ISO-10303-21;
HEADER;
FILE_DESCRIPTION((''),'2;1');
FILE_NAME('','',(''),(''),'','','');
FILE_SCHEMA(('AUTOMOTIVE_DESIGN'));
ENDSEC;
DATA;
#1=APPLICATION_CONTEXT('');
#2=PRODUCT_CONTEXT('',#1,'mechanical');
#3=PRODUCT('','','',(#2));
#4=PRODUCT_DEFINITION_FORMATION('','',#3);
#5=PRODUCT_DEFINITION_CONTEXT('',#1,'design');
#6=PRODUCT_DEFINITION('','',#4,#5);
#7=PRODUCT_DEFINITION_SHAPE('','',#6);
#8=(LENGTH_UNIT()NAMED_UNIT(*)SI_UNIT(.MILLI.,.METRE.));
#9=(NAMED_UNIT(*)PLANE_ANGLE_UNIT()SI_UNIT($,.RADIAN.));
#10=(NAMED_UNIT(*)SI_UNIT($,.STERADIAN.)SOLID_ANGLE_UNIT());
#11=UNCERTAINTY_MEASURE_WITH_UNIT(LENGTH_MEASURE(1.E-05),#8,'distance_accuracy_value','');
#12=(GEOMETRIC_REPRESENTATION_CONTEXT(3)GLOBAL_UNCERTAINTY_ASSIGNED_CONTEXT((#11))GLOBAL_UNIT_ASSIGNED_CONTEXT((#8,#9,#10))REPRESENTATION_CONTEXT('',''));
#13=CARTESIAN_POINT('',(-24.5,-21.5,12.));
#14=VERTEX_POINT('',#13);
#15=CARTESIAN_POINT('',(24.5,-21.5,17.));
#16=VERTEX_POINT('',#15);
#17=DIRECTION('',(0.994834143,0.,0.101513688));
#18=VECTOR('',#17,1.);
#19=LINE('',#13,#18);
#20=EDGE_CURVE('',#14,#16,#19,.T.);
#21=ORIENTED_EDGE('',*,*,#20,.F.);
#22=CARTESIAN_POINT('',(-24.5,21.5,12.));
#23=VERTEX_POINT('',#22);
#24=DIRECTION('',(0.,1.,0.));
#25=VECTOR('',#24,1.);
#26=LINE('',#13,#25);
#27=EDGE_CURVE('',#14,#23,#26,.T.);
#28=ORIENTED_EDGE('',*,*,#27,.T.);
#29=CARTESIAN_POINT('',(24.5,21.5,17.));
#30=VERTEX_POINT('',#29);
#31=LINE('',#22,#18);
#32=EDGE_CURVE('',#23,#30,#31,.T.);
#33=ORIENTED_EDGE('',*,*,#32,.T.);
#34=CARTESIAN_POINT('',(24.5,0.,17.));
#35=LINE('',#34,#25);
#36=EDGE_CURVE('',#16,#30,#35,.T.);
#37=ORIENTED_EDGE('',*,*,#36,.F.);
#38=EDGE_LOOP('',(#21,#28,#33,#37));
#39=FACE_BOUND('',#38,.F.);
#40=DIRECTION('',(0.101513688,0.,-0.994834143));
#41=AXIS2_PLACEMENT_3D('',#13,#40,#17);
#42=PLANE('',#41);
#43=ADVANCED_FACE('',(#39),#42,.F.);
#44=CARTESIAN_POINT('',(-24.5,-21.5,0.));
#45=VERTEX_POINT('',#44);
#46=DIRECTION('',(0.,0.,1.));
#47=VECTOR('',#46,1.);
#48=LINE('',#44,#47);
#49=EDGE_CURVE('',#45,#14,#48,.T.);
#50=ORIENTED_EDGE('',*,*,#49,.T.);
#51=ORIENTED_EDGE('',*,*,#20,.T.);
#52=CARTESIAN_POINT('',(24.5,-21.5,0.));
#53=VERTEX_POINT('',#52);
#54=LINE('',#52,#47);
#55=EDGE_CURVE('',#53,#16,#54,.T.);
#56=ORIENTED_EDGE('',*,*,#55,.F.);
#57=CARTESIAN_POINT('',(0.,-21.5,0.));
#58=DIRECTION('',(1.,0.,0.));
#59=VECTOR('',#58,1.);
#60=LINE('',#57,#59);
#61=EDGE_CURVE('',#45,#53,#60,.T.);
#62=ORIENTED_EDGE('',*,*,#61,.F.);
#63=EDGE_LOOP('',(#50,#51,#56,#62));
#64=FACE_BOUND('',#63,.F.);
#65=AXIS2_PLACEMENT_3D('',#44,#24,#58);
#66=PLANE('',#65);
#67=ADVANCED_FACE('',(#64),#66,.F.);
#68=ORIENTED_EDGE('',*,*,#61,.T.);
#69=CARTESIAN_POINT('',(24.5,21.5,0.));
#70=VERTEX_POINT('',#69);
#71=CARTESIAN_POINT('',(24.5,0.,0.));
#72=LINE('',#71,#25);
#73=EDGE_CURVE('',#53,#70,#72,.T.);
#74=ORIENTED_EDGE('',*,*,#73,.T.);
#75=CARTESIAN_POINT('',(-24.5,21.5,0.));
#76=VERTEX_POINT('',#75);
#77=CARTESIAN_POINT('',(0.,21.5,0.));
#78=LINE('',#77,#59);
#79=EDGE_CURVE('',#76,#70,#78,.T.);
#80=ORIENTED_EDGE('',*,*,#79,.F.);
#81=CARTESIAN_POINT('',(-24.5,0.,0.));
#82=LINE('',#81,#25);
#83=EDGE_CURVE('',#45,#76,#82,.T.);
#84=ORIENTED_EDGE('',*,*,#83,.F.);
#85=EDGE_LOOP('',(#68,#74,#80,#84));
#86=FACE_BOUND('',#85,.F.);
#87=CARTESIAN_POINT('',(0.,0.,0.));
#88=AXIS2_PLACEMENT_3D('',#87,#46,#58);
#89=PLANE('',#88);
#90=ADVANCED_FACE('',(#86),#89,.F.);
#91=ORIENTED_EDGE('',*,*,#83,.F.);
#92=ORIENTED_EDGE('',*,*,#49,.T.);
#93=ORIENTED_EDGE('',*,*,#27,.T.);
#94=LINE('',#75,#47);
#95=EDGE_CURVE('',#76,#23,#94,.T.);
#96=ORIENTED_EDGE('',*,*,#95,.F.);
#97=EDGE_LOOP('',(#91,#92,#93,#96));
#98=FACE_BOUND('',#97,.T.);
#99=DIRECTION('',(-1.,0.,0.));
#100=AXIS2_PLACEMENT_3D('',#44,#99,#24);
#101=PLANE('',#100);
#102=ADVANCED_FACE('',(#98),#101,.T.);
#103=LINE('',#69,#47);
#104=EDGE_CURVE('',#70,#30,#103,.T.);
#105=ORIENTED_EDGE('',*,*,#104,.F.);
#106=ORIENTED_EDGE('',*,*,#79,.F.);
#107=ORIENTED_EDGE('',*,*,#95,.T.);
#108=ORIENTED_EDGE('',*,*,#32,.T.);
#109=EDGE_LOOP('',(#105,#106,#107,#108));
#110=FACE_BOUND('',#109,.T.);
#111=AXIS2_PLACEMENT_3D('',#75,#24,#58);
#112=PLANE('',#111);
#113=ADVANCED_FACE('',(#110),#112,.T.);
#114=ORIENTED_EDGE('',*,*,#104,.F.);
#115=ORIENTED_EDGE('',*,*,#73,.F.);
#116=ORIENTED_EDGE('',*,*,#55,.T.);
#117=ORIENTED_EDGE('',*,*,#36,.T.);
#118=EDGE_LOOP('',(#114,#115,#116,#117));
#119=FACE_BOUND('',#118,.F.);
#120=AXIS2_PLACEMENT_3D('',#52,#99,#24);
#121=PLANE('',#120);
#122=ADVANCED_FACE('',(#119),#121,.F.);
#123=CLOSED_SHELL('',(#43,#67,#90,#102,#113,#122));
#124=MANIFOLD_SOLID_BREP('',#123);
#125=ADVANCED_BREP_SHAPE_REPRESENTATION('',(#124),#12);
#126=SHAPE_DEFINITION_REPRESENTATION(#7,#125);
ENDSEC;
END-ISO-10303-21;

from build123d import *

# Parameters (mm, degrees)
F0_W     = 49
F0_H     = 43
F1_DEPTH = 17
F3_DEPTH = 43


with BuildPart() as f1:
    # F0 (on Top) → F1 (new body)
    with BuildSketch(Plane.XY):
        Rectangle(F0_W, F0_H)
    extrude(amount=F1_DEPTH)

    # F2 (on face) → F3 (cut, through all)
    with BuildSketch(Plane.XZ.offset(21.5)):
        Polygon((-24.5, 12), (24.5, 17), (-24.5, 17), align=None)
    extrude(amount=-F3_DEPTH, mode=Mode.SUBTRACT)


solid = f1.part
